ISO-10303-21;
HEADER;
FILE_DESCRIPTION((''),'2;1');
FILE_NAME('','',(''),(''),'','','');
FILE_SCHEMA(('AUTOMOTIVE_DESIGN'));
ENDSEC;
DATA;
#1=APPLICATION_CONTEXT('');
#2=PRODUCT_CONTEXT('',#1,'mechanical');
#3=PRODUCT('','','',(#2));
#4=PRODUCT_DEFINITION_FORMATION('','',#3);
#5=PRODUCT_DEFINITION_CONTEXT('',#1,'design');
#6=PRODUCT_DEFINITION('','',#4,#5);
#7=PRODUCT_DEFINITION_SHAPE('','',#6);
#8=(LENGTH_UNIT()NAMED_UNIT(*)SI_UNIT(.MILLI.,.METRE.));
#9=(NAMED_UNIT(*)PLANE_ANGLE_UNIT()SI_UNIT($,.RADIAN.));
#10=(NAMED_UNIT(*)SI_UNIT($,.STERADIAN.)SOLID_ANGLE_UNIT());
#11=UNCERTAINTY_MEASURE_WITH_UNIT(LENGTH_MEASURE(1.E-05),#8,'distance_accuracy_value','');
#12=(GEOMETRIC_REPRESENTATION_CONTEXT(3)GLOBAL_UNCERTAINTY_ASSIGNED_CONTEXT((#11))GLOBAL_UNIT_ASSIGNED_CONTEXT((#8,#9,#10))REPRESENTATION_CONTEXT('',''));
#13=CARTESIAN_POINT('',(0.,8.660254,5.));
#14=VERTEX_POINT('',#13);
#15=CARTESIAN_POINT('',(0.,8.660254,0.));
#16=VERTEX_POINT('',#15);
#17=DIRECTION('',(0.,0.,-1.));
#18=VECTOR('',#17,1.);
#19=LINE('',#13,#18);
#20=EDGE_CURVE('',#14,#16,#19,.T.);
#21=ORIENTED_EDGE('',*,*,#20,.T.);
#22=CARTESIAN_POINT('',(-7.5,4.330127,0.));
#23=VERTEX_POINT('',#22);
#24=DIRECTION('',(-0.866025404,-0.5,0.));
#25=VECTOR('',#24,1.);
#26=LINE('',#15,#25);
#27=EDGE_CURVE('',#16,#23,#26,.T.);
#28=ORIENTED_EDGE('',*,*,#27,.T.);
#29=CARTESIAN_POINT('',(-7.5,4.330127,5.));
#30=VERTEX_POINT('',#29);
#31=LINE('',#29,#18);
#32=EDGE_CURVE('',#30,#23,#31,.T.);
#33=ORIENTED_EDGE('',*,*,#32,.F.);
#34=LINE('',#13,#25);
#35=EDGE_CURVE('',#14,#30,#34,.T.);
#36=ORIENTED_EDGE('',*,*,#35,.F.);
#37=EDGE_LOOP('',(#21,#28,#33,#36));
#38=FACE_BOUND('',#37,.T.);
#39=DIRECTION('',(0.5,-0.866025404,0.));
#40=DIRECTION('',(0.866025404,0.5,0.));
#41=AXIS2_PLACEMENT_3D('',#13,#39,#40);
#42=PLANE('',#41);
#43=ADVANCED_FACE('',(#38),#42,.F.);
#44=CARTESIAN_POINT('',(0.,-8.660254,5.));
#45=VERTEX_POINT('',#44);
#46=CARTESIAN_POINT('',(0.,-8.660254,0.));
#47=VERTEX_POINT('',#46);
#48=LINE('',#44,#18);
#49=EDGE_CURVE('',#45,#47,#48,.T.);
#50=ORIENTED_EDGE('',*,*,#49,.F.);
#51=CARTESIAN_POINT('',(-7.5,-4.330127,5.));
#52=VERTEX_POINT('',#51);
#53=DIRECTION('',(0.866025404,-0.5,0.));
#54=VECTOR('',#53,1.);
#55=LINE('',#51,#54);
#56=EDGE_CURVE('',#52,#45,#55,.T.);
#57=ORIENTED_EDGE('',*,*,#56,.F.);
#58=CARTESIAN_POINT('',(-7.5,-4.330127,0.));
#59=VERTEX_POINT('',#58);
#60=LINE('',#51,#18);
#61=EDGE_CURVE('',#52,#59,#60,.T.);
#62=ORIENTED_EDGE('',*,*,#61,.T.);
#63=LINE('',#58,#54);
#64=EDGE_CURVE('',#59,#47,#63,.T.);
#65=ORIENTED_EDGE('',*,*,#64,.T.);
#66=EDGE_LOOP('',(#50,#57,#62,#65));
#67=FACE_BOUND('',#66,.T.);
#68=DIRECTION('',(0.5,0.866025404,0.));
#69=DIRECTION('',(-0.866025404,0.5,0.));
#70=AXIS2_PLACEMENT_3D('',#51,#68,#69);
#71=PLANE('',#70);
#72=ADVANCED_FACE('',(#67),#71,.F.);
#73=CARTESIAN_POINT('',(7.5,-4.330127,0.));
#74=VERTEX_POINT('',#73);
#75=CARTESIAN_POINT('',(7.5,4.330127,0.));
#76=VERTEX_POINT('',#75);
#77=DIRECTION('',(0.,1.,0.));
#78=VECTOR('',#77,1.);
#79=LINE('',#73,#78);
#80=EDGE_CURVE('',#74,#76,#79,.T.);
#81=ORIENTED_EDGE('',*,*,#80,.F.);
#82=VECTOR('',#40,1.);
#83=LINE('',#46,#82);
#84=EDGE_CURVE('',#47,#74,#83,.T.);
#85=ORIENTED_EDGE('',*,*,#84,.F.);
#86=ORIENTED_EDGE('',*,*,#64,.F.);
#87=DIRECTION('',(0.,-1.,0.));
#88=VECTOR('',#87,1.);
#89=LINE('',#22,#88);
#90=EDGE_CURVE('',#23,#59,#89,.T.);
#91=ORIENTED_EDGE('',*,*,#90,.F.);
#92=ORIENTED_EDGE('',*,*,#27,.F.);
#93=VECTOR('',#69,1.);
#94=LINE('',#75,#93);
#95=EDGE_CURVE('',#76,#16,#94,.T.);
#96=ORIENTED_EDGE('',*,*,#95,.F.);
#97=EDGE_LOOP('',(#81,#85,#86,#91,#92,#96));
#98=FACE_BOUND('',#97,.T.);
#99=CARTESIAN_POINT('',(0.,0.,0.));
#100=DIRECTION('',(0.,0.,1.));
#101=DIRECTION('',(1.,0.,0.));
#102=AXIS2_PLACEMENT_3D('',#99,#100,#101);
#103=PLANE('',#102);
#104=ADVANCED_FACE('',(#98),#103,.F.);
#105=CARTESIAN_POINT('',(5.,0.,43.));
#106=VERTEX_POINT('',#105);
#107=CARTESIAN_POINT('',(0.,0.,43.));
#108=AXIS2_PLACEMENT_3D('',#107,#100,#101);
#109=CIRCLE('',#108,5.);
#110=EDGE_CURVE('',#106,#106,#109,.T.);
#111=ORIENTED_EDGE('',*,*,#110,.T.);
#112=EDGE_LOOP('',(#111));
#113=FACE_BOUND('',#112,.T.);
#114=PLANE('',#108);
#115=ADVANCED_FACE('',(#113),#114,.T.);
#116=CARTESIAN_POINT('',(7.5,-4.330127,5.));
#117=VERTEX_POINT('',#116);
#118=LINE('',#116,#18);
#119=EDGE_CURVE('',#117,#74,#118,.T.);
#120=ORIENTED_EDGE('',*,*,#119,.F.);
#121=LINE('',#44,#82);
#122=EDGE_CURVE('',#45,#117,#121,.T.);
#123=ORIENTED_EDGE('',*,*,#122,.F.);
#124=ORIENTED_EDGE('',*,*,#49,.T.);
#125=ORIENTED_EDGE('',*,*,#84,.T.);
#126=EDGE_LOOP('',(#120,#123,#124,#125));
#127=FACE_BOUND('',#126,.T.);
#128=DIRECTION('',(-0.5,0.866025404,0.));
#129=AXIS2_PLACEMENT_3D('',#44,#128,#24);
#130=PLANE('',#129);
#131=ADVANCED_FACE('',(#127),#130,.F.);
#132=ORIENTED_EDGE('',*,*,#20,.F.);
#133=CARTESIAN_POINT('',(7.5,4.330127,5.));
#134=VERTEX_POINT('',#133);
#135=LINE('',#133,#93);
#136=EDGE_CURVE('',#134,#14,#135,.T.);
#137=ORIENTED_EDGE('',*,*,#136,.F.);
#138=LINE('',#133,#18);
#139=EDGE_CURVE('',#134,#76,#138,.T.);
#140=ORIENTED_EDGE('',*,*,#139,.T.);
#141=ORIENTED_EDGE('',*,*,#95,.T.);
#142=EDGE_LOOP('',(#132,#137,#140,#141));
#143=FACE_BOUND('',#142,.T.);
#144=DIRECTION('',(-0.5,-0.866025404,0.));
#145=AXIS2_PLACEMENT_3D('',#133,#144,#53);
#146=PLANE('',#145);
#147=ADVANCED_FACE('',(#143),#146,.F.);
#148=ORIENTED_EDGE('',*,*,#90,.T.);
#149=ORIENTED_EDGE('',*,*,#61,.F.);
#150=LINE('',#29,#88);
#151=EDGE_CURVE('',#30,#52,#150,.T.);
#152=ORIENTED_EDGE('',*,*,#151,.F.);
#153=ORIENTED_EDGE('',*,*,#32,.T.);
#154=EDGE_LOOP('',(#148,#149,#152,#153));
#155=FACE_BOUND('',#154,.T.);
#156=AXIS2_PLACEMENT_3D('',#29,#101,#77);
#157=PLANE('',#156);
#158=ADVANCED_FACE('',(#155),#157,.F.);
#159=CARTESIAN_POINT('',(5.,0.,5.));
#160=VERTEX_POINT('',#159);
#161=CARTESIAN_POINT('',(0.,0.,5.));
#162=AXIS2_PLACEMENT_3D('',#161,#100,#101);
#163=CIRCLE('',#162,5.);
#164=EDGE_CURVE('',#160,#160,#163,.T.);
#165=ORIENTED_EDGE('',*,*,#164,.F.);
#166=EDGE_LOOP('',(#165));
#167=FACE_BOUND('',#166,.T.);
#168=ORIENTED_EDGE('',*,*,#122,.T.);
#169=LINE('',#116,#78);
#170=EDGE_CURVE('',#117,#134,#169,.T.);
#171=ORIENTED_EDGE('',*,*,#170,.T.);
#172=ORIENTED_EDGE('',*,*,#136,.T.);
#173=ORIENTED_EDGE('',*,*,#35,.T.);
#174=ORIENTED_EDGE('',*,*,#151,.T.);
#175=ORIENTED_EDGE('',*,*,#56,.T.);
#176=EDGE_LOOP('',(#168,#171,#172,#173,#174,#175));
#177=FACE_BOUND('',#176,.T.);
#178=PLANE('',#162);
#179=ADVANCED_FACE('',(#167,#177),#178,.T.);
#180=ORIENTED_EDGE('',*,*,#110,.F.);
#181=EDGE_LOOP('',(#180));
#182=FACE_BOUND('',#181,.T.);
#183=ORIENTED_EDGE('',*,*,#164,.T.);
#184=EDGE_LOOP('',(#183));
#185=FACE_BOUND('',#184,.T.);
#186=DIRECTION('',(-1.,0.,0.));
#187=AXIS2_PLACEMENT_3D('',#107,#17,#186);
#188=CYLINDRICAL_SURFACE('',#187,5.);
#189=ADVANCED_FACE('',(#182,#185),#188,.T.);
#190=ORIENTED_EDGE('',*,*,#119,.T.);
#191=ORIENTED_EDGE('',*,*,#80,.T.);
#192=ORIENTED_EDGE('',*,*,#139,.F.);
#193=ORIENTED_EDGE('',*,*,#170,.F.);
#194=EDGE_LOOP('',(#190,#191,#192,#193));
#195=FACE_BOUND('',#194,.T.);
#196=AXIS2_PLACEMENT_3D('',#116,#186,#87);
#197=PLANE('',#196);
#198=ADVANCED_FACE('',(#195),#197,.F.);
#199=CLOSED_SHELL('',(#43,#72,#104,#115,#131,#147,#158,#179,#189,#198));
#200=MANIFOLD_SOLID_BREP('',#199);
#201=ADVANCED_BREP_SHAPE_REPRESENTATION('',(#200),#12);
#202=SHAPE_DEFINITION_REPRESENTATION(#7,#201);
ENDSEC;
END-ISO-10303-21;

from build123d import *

# Parameters (mm, degrees)
BOSS_EXTRUDE1_DEPTH = 5
SKETCH2_R           = 5
BOSS_EXTRUDE2_DEPTH = 38


with BuildPart() as part:
    # Sketch1 → Boss-Extrude1 (new body)
    with BuildSketch(Plane.XY):
        Polygon((0, 8.660254038), (-7.5, 4.330127019), (-7.5, -4.330127019), (0, -8.660254038), (7.5, -4.330127019), (7.5, 4.330127019), align=None)
    extrude(amount=BOSS_EXTRUDE1_DEPTH)

    # Sketch2 → Boss-Extrude2 (add)
    with BuildSketch(Plane.XY.offset(5)):
        Circle(SKETCH2_R)
    extrude(amount=BOSS_EXTRUDE2_DEPTH)


solid = part.part
